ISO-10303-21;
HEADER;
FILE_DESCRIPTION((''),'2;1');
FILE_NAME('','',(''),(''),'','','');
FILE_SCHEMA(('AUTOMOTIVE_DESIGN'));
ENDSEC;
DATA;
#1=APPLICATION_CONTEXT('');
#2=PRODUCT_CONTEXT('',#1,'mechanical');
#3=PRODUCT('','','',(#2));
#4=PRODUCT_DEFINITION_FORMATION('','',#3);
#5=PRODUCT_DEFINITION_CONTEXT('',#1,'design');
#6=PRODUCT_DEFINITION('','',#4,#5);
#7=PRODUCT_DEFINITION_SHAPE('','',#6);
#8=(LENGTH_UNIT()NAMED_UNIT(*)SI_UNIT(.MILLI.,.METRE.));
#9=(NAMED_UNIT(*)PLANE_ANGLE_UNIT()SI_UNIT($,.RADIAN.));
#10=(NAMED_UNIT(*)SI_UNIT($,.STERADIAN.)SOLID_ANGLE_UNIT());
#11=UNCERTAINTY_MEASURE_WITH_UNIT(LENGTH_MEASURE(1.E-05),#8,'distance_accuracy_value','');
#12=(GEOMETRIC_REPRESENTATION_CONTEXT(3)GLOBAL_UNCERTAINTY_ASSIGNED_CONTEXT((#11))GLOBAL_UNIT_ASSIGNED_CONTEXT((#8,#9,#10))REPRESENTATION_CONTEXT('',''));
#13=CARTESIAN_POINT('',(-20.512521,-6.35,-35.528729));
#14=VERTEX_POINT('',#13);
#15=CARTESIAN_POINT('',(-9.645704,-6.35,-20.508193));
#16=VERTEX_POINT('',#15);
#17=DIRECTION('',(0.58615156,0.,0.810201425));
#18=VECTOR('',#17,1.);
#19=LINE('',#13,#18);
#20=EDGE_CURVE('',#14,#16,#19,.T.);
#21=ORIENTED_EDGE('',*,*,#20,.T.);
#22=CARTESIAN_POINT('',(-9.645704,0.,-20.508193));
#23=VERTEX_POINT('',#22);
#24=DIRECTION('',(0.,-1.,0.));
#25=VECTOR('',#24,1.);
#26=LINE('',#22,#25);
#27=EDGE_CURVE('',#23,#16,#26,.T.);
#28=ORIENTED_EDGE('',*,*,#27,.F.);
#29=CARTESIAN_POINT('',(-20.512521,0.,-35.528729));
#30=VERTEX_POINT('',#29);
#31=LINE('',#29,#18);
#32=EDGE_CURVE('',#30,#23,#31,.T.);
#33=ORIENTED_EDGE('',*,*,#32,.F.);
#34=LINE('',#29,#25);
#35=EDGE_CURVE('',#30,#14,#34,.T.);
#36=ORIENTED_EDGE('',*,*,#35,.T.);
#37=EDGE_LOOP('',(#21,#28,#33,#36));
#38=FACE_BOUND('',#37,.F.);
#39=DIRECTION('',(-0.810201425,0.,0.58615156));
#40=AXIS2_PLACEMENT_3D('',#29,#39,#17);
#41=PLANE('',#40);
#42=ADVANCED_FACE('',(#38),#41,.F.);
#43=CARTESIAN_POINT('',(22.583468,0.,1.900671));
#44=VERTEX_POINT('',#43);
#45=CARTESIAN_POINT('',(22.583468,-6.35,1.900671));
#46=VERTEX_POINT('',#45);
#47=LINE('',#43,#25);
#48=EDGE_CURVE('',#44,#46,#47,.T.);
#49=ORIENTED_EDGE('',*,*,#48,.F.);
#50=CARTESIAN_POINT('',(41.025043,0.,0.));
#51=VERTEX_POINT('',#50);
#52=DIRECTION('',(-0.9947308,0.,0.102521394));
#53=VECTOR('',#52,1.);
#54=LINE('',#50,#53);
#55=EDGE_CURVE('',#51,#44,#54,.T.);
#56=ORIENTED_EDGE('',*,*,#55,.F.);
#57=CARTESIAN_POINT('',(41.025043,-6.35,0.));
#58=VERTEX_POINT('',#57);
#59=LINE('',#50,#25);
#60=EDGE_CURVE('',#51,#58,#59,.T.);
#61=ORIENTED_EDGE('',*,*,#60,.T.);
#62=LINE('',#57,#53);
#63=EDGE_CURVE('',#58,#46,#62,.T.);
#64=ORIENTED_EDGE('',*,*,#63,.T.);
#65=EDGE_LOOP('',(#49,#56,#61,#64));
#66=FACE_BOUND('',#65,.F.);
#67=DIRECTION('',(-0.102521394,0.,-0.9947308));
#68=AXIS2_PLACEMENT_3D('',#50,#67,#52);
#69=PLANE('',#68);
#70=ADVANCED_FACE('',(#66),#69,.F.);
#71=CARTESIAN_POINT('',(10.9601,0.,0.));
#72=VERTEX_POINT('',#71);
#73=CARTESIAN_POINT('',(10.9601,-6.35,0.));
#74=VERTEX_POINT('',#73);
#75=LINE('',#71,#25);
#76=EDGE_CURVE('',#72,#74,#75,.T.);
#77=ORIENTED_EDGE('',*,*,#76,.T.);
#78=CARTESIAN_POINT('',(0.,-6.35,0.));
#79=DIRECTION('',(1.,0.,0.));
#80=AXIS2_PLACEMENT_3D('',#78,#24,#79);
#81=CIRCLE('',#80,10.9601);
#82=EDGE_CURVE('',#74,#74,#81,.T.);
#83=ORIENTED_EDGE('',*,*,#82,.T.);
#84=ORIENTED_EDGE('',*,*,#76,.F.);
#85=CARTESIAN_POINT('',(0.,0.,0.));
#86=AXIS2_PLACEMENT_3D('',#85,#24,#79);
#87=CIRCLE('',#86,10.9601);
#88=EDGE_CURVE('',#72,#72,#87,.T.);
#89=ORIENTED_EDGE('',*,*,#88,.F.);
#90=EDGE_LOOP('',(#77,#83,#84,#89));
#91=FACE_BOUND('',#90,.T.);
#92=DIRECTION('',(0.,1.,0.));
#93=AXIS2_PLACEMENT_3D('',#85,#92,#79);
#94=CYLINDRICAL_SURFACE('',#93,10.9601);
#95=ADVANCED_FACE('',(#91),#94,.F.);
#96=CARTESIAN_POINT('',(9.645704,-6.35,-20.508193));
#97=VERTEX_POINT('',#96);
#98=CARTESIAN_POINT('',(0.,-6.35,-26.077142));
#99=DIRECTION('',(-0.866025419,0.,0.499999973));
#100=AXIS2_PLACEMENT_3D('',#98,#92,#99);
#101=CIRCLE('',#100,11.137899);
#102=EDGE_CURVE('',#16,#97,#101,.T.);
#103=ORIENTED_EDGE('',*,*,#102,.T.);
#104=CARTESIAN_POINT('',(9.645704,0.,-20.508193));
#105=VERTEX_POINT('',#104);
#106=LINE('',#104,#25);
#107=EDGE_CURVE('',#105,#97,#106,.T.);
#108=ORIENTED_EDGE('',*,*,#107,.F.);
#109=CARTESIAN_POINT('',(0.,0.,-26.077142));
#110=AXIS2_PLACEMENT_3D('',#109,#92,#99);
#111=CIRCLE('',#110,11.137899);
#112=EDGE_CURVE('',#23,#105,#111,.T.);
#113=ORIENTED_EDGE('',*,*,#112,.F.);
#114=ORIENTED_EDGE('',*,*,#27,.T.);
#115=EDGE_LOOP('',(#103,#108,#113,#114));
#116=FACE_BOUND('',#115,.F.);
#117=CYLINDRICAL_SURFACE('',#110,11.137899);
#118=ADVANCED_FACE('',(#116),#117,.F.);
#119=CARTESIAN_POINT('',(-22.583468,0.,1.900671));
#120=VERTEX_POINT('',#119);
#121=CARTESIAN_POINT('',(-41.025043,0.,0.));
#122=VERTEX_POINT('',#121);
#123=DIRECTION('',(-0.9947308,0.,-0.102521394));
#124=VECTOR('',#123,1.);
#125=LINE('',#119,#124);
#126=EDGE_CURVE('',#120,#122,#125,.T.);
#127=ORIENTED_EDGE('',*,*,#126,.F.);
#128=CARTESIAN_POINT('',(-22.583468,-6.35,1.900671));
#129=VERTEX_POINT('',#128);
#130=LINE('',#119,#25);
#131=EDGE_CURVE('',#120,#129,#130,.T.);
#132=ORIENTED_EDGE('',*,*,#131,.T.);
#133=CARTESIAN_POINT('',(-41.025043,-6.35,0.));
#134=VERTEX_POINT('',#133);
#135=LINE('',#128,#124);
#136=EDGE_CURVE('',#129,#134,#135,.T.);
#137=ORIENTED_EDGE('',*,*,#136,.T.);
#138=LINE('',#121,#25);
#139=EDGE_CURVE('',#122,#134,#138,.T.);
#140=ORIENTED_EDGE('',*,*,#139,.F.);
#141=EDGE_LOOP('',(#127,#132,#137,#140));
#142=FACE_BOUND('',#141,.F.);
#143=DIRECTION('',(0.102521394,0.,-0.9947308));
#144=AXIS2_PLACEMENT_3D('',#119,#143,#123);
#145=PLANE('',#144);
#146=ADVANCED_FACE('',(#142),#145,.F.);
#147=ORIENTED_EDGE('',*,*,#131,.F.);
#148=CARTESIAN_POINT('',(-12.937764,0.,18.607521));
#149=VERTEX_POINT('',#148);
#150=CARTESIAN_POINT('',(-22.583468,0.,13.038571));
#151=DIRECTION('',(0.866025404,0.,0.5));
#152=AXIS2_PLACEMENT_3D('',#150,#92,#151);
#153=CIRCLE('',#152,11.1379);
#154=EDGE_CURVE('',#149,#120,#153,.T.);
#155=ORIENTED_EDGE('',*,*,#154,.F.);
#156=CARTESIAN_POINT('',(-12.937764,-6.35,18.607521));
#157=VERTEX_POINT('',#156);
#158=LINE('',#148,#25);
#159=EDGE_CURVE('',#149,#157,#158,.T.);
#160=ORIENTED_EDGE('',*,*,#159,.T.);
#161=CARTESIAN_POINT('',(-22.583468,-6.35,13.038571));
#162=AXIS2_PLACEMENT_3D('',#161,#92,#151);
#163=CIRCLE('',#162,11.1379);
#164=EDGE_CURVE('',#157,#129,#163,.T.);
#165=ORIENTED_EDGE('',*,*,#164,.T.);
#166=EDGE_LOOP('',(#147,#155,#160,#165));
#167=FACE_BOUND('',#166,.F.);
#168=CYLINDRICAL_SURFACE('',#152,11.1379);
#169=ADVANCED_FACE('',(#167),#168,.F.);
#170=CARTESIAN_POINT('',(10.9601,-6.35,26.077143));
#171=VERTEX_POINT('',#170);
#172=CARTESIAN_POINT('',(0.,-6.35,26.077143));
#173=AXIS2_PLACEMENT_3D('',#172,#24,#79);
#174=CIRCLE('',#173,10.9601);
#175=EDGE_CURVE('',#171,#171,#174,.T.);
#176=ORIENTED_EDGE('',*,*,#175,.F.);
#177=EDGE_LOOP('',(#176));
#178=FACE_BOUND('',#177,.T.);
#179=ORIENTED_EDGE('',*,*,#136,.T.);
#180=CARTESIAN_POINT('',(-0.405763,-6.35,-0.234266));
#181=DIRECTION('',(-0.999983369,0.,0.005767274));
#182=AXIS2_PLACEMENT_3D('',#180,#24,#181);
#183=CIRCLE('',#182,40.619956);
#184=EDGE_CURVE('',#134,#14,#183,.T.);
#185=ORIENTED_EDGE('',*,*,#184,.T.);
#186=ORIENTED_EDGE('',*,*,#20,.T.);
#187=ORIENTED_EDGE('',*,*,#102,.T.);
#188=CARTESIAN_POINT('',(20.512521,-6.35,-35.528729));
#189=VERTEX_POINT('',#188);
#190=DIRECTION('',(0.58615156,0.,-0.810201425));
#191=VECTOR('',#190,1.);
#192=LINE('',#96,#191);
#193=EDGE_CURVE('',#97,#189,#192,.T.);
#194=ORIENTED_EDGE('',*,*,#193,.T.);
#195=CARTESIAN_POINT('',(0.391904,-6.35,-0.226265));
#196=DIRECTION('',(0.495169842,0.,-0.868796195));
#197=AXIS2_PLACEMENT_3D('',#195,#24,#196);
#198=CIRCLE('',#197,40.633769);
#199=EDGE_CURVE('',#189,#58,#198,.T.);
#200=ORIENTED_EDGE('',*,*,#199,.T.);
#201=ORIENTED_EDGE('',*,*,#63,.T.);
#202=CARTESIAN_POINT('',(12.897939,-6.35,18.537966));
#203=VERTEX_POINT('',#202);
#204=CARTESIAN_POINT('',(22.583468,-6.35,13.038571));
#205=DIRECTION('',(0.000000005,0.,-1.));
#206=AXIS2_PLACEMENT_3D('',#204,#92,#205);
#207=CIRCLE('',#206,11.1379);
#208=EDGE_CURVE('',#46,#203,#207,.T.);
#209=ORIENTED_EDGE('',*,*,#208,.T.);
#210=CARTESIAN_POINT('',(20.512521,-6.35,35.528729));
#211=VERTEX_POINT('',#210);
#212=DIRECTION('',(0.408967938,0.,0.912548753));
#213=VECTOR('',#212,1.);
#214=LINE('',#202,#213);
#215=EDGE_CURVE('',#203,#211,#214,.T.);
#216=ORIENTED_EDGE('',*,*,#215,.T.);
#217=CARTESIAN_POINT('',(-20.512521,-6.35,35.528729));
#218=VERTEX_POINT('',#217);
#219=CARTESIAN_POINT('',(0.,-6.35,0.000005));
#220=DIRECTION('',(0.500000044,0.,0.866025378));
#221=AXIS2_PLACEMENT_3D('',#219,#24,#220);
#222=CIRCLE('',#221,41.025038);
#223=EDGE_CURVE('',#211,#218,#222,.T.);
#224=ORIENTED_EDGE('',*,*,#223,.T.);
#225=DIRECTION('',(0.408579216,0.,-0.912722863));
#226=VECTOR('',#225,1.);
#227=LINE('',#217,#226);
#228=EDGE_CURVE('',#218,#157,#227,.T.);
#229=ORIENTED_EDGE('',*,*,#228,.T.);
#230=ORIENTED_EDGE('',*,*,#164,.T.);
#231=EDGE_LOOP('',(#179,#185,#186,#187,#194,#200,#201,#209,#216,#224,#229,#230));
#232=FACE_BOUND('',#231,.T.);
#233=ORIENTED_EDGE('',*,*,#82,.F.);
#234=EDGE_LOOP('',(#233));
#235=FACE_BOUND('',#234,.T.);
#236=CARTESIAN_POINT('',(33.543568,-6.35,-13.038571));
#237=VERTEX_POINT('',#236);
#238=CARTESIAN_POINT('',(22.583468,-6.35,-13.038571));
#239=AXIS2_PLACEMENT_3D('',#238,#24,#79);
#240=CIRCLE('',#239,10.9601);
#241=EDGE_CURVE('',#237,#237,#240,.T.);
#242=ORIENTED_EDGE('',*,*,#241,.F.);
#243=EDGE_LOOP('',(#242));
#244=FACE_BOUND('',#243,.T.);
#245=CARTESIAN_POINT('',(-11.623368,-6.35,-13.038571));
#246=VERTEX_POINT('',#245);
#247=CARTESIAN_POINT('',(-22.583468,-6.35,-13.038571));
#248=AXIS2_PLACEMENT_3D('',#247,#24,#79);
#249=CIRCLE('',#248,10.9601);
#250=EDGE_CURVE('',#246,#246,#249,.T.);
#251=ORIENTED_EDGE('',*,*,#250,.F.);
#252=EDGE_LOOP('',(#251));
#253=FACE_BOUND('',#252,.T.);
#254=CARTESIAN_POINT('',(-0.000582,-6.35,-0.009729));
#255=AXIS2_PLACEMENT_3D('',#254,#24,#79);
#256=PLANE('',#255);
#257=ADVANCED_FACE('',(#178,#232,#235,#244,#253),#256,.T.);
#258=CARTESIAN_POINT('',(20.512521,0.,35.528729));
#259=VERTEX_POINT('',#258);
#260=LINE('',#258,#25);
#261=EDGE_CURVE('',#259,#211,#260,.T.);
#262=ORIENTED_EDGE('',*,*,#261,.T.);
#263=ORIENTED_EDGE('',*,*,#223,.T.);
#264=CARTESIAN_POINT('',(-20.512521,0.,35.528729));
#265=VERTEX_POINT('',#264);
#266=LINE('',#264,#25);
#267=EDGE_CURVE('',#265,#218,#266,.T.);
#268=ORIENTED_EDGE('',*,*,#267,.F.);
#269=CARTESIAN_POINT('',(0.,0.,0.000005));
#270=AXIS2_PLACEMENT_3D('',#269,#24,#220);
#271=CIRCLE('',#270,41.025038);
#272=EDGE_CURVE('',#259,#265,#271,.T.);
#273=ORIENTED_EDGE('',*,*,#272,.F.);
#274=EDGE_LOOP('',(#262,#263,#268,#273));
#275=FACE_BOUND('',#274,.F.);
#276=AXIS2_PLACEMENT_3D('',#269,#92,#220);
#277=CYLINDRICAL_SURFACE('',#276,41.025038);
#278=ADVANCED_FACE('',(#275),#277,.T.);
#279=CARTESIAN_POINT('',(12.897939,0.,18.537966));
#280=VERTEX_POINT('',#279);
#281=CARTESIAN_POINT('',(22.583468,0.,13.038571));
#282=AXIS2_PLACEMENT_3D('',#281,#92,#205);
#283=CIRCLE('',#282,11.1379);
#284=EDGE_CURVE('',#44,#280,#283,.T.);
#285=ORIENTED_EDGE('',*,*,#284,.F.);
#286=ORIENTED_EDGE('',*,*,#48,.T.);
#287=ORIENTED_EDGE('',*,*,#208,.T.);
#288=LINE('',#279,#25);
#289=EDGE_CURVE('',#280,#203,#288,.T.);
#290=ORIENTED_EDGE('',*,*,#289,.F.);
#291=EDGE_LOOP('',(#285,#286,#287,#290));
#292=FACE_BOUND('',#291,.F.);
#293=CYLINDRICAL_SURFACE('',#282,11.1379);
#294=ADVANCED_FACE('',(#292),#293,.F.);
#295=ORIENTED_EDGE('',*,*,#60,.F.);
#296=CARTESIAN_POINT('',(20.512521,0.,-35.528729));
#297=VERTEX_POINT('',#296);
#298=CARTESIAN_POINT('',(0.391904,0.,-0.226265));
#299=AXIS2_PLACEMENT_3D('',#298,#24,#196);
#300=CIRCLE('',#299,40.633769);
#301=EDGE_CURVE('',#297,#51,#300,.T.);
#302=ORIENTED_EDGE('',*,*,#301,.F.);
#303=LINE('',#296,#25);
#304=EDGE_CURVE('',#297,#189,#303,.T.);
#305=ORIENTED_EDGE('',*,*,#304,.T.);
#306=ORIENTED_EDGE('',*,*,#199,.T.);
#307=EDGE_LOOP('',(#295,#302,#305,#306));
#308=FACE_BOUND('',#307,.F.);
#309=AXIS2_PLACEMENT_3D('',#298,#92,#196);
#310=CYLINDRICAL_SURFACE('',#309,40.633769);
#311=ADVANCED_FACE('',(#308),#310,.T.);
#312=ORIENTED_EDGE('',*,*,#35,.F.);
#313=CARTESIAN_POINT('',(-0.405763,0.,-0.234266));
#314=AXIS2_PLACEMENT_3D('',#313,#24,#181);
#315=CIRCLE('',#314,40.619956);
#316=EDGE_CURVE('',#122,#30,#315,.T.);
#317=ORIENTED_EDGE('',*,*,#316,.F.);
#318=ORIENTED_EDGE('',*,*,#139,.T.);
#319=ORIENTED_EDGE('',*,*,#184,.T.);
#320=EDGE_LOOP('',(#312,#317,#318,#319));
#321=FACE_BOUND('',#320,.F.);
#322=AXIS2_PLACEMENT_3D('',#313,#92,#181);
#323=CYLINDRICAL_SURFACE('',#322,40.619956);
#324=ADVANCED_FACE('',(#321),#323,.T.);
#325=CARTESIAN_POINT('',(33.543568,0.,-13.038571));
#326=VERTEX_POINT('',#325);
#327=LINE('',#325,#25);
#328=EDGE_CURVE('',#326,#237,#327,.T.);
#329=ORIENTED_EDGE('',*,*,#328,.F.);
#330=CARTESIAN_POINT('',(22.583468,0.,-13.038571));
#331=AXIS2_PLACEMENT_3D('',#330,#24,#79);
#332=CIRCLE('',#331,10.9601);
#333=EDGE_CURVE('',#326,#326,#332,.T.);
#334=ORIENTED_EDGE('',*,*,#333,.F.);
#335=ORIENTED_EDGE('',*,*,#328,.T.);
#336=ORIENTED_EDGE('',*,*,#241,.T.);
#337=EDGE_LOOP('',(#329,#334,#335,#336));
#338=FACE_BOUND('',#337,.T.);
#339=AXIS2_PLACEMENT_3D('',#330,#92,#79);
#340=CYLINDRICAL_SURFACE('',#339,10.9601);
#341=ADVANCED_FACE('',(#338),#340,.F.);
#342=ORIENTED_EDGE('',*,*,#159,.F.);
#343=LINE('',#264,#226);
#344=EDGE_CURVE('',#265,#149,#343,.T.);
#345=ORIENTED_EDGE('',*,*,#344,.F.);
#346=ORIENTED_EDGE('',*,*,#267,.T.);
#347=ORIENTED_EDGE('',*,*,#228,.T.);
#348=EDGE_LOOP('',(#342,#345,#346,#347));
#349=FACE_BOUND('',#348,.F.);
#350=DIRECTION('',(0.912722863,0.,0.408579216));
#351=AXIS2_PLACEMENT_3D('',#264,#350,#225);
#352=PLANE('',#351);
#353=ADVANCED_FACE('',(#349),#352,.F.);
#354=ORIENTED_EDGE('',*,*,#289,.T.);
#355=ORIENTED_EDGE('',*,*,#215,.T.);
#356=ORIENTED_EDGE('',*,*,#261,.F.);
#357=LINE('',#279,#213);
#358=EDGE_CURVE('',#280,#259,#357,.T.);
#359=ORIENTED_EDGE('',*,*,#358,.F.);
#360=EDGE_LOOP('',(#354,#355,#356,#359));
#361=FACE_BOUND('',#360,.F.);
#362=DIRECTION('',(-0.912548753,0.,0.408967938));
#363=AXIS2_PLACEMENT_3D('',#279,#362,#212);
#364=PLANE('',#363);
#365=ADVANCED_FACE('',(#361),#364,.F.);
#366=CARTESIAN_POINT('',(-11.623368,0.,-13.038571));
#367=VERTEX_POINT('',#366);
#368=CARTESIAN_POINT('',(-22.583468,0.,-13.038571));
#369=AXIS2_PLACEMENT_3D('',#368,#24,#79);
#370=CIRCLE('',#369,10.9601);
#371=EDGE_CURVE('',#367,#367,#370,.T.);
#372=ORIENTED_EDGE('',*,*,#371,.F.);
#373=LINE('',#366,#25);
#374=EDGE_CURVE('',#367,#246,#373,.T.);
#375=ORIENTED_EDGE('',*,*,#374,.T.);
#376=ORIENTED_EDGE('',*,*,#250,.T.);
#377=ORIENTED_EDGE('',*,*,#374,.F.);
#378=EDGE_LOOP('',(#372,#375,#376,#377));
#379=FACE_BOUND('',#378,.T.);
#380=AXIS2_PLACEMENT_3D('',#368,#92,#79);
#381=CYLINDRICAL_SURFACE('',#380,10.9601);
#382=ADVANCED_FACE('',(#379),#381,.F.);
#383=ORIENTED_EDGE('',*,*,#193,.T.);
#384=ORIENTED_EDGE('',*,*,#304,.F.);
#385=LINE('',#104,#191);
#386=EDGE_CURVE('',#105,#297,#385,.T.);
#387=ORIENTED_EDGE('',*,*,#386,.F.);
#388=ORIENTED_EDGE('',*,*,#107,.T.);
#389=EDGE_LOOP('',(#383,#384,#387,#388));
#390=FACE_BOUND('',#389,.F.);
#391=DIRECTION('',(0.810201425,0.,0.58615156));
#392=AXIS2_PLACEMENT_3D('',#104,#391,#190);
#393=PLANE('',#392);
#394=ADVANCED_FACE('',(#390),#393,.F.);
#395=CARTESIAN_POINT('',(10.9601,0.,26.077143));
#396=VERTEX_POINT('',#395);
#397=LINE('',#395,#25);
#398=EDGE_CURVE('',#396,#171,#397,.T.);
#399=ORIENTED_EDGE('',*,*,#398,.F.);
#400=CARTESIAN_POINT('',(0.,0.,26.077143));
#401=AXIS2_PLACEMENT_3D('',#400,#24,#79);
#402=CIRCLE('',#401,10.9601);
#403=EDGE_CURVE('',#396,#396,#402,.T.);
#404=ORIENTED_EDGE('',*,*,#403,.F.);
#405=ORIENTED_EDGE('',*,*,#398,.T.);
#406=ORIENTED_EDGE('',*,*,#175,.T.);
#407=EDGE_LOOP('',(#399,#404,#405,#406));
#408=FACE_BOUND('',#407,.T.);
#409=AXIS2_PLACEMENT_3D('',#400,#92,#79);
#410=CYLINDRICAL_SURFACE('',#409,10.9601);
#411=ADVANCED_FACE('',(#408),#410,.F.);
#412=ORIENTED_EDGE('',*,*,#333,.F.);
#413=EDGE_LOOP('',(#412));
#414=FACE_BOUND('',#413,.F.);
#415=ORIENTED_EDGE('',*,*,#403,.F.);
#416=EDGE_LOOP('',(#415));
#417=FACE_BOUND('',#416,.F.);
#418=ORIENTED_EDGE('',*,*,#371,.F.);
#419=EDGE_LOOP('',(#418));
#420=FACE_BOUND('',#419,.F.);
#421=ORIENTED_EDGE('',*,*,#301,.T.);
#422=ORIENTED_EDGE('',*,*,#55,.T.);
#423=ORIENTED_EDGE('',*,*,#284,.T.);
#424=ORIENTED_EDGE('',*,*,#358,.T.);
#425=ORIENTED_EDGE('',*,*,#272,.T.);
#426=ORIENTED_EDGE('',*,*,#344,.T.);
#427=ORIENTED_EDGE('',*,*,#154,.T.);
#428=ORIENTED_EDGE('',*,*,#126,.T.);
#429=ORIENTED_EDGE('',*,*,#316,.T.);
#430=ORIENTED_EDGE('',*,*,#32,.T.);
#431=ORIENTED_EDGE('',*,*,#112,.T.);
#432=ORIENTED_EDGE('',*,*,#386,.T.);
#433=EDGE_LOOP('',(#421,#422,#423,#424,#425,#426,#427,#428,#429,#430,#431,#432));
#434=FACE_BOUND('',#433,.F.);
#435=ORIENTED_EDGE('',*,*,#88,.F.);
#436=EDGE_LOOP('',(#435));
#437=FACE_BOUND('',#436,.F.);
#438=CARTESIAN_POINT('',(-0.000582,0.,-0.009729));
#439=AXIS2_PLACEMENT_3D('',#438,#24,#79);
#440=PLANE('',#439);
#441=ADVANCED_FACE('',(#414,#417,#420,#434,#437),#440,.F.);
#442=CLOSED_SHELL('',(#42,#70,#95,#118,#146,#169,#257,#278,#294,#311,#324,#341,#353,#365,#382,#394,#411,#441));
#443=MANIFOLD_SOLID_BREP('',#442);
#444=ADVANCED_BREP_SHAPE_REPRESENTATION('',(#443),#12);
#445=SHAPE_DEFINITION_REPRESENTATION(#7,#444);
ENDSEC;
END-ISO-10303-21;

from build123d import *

# Parameters (mm, degrees)
F0_R     = 10.9601
F1_DEPTH = 6.35


with BuildPart() as f1:
    # F0 (on Front) → F1 (new body)
    with BuildSketch(Plane.XZ):
        with BuildLine():
            ThreePointArc((-12.937764, 18.607521), (-12.937764, 7.469621), (-22.583468, 1.900671))
            Line((-22.583468, 1.900671), (-41.025043, 0))
            ThreePointArc((-41.025043, 0), (-35.583676, -20.544245), (-20.512521, -35.528729))
            Line((-20.512521, -35.528729), (-9.645704, -20.508193))
            ThreePointArc((-9.645704, -20.508193), (0, -14.939243), (9.645704, -20.508193))
            Line((9.645704, -20.508193), (20.512521, -35.528729))
            ThreePointArc((20.512521, -35.528729), (35.58178, -20.54315), (41.025043, 0))
            Line((41.025043, 0), (22.583468, 1.900671))
            ThreePointArc((22.583468, 1.900671), (12.957863, 7.434952), (12.897939, 18.537966))
            Line((12.897939, 18.537966), (20.512521, 35.528729))
            ThreePointArc((20.512521, 35.528729), (0, 41.025043), (-20.512521, 35.528729))
            Line((-20.512521, 35.528729), (-12.937764, 18.607521))
        make_face()
        with Locations((-22.583468, -13.038571)):
            Circle(F0_R, mode=Mode.SUBTRACT)
        Circle(F0_R, mode=Mode.SUBTRACT)
        with Locations((22.583468, -13.038571)):
            Circle(F0_R, mode=Mode.SUBTRACT)
        with Locations((0, 26.077143)):
            Circle(F0_R, mode=Mode.SUBTRACT)
    extrude(amount=F1_DEPTH)


solid = f1.part
